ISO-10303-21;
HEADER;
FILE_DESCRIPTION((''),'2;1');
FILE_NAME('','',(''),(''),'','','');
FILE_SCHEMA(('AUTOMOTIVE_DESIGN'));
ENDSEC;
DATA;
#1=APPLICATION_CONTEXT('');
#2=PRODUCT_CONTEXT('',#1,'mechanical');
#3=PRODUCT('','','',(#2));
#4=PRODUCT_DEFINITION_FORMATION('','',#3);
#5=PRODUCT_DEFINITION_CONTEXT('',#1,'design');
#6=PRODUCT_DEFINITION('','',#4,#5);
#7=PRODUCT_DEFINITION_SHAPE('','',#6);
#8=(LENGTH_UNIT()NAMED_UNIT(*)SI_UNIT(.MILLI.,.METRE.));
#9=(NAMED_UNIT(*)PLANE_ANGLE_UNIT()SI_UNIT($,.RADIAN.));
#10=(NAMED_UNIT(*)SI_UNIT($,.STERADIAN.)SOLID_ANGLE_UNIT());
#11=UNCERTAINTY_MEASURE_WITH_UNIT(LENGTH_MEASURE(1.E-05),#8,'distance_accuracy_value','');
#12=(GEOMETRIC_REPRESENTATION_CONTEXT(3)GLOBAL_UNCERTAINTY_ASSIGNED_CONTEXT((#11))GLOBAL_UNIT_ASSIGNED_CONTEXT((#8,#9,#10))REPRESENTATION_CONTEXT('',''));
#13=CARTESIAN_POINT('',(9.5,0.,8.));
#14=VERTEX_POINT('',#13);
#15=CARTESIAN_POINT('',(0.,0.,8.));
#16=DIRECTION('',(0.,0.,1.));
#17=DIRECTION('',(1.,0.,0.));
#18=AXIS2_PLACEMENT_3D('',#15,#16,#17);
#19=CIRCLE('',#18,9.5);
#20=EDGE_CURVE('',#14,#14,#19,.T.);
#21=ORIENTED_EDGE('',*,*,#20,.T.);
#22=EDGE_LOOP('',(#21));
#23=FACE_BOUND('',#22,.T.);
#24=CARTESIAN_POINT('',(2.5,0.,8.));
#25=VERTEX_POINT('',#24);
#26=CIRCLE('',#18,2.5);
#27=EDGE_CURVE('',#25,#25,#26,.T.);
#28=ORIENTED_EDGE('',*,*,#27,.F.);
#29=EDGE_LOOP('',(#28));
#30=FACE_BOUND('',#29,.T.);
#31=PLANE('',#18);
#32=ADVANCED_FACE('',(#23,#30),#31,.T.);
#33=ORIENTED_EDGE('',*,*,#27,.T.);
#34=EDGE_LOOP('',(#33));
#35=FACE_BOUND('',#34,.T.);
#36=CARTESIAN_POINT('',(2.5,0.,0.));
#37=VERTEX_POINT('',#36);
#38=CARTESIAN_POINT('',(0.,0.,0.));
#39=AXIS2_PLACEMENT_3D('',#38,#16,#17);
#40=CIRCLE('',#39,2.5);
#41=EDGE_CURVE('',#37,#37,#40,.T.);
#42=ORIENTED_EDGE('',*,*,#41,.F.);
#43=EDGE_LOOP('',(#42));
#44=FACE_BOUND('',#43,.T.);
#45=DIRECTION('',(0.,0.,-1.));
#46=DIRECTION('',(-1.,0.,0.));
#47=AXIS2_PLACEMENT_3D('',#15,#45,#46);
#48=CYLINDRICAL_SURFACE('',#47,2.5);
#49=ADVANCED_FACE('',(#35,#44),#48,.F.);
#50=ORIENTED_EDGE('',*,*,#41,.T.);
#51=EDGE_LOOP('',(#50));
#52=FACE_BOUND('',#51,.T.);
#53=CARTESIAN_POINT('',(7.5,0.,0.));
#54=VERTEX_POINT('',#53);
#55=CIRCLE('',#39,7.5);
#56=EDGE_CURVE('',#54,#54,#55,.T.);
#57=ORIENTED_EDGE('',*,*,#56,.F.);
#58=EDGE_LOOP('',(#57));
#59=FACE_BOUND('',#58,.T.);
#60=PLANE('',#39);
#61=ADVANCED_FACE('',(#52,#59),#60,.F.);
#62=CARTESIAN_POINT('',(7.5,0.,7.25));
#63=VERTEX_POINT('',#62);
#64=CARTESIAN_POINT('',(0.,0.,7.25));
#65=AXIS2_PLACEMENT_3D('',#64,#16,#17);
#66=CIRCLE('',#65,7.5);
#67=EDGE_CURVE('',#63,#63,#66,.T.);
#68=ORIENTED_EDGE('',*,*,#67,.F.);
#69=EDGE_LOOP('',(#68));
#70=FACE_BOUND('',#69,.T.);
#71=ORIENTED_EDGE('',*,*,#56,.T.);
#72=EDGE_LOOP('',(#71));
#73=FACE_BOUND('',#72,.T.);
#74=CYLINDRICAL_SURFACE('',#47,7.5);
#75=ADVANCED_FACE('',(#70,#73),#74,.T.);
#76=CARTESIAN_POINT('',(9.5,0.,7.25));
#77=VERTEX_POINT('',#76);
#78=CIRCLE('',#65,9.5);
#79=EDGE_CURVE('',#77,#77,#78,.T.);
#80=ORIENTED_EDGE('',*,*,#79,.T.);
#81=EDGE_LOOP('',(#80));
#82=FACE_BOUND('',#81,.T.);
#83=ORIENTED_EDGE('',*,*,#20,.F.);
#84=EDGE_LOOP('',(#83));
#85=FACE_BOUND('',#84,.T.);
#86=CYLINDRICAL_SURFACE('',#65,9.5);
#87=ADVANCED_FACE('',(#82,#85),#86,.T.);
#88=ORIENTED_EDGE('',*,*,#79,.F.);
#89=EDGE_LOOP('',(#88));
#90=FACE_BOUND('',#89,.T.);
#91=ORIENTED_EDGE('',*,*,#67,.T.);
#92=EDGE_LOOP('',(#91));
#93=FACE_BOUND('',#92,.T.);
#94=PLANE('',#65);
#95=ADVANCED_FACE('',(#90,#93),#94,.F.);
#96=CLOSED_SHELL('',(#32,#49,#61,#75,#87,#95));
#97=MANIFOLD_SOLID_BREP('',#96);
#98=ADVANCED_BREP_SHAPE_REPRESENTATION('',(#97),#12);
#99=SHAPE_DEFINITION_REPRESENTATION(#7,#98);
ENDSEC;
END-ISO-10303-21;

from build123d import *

# Parameters (mm, degrees)
SKETCH1_R           = 7.5
SKETCH1_R_2         = 2.5
BOSS_EXTRUDE1_DEPTH = 8
SKETCH2_R           = 9.5
SKETCH2_R_2         = 5
BOSS_EXTRUDE2_DEPTH = 0.75


with BuildPart() as part:
    # Sketch1 → Boss-Extrude1 (new body)
    with BuildSketch(Plane.XY):
        Circle(SKETCH1_R)
        Circle(SKETCH1_R_2, mode=Mode.SUBTRACT)
    extrude(amount=BOSS_EXTRUDE1_DEPTH)

    # Sketch2 → Boss-Extrude2 (add)
    with BuildSketch(Plane.XY.offset(8)):
        Circle(SKETCH2_R)
        Circle(SKETCH2_R_2, mode=Mode.SUBTRACT)
    extrude(amount=-BOSS_EXTRUDE2_DEPTH)


solid = part.part
